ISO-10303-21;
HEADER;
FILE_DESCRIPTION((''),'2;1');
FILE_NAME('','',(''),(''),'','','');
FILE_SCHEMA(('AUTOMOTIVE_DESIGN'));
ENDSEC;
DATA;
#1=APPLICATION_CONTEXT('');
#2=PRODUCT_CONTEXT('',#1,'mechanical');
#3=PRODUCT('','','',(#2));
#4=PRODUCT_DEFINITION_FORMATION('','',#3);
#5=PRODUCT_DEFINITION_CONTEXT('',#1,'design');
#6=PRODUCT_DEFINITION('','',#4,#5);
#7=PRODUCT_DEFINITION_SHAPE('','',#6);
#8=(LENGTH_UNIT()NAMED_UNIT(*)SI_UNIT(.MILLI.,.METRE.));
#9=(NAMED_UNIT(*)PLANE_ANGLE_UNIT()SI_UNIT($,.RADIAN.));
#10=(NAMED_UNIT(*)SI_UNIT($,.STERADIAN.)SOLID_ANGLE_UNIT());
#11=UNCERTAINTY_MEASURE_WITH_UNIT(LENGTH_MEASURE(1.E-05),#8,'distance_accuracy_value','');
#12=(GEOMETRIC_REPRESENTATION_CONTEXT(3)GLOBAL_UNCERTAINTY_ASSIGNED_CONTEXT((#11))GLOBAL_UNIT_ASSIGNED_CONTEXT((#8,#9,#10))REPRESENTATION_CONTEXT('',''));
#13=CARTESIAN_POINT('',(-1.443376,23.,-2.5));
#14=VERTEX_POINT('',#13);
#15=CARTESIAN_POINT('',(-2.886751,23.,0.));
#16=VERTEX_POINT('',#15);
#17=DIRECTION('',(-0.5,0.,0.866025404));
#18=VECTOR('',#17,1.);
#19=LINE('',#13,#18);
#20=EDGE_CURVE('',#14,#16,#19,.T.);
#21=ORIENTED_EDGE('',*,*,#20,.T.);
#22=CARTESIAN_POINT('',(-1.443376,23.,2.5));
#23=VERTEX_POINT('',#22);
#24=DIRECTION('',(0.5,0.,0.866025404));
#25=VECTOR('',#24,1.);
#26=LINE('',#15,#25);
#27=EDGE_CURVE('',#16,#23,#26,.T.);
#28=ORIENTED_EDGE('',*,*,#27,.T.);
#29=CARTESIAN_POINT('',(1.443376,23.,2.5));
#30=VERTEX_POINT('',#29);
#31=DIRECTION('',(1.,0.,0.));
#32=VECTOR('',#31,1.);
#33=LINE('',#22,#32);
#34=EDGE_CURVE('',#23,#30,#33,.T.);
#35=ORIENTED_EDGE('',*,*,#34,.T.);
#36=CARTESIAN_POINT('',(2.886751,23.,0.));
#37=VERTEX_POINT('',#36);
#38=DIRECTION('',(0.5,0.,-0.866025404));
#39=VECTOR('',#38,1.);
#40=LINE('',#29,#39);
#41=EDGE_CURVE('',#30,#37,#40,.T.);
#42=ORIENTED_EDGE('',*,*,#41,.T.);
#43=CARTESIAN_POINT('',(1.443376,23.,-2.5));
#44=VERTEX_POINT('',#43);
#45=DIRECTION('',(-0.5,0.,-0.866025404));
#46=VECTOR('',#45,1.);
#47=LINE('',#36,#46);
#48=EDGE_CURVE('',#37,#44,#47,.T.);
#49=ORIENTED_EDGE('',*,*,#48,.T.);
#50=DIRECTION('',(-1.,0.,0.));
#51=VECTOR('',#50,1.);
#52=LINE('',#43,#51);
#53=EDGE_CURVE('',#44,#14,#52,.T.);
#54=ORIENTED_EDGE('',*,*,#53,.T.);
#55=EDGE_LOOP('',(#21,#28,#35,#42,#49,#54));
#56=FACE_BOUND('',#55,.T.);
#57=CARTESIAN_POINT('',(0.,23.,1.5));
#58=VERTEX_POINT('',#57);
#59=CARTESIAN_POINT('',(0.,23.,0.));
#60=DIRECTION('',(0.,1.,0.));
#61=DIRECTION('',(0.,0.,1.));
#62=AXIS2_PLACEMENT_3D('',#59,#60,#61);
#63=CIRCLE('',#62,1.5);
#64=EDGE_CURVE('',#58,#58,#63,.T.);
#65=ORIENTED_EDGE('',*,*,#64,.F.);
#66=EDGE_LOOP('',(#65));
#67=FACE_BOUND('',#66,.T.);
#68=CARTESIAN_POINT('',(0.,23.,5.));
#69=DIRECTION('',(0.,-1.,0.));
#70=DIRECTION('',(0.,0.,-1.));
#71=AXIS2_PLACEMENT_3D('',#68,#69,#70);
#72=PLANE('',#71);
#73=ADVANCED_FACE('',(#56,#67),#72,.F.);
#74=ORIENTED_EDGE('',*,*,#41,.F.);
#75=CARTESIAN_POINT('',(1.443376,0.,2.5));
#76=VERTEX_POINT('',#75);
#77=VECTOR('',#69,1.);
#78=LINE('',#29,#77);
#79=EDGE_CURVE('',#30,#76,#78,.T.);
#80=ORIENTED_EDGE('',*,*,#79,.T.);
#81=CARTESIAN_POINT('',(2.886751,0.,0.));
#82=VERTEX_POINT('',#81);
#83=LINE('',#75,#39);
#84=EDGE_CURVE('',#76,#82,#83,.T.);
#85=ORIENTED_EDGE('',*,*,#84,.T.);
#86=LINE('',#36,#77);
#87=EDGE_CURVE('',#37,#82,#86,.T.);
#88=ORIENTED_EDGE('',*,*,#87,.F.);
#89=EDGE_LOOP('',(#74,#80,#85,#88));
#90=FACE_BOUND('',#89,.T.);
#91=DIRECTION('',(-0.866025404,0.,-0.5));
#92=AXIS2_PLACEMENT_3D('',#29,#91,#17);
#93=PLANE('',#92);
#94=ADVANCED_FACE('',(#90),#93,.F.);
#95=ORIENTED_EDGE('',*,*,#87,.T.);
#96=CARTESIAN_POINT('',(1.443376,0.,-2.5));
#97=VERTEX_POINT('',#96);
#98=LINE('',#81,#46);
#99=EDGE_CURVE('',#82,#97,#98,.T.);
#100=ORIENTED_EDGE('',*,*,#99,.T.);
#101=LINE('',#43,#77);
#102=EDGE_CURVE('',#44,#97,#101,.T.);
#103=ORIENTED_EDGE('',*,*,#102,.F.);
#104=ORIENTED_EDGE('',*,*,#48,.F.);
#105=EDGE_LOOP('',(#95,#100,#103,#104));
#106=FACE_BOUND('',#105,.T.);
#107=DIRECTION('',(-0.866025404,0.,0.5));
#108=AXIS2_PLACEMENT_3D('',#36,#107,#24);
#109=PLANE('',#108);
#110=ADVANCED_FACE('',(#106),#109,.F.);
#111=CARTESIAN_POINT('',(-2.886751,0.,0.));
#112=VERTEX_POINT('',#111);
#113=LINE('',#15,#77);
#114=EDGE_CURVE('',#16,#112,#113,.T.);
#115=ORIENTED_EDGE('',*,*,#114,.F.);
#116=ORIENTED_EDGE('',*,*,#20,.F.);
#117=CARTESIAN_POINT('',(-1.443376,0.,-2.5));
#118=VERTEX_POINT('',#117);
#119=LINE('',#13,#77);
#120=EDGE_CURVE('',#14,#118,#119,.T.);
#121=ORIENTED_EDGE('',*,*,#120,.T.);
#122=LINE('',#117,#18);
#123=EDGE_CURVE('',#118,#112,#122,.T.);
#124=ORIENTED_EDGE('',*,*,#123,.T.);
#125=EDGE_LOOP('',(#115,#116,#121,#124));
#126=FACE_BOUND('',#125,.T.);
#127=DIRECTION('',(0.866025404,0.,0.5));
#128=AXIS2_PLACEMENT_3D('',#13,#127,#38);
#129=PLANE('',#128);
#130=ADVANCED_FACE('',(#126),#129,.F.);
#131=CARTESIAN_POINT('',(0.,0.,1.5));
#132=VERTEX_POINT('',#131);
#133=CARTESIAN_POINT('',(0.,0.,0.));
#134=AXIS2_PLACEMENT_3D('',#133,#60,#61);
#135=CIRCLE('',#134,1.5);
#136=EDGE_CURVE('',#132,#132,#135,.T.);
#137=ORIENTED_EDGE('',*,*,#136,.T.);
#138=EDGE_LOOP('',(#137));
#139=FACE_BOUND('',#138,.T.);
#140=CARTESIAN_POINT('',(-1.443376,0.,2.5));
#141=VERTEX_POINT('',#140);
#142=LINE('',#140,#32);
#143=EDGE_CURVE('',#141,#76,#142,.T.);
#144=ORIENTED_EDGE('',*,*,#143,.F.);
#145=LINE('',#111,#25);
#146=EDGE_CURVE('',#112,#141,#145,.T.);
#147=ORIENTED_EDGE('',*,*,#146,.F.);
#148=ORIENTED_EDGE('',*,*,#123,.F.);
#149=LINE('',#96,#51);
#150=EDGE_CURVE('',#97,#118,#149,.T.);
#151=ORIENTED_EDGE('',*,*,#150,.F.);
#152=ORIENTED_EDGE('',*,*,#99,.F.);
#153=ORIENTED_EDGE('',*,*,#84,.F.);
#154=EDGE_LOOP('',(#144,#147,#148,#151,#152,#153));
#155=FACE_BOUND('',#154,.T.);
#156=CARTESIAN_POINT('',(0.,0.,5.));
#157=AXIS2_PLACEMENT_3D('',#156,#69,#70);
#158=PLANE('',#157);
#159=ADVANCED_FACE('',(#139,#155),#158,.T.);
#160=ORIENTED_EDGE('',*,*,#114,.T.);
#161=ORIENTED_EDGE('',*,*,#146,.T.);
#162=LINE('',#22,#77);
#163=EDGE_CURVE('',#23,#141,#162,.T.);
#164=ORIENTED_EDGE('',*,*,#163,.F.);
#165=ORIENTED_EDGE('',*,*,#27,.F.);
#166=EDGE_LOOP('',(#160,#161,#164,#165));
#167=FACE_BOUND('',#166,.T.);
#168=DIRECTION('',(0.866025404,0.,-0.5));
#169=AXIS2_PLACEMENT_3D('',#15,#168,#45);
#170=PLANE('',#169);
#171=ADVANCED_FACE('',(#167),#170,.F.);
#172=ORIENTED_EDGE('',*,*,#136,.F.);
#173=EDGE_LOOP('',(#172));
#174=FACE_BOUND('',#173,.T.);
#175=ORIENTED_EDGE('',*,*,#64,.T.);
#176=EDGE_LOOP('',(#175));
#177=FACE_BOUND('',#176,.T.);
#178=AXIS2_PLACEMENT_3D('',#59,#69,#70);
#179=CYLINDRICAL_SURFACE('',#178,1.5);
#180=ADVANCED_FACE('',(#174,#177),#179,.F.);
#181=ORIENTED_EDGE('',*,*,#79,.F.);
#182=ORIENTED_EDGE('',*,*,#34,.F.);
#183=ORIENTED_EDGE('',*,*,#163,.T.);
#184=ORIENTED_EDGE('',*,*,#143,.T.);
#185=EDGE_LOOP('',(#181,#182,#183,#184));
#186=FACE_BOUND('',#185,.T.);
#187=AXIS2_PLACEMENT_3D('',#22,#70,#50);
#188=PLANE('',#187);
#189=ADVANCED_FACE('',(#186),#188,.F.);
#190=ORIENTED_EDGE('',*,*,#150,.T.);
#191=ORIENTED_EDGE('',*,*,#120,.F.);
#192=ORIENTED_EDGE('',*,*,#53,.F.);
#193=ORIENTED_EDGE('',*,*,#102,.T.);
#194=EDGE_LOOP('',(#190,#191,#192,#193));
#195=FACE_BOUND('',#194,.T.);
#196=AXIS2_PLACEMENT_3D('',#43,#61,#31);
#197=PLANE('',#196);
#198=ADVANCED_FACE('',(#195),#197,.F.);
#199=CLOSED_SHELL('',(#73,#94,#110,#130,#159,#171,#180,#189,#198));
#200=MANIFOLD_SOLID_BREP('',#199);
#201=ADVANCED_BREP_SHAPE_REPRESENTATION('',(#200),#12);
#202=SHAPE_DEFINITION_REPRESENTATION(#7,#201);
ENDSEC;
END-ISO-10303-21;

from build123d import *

# Parameters (mm, degrees)
ESQUISSE1_R      = 1.5
EXTRUSION1_DEPTH = 23


with BuildPart() as part:
    # Esquisse1 → Extrusion1 (new body)
    with BuildSketch(Plane(origin=(0, 0, 0), x_dir=(1, 0, 0), z_dir=(0, 1, 0))):
        Polygon((2.886751346, 0), (1.443375673, 2.5), (-1.443375673, 2.5), (-2.886751346, 0), (-1.443375673, -2.5), (1.443375673, -2.5), align=None)
        with Locations(Location((0, 0, 0), (0, 0, 270))):
            Circle(ESQUISSE1_R, mode=Mode.SUBTRACT)
    extrude(amount=EXTRUSION1_DEPTH)


solid = part.part
